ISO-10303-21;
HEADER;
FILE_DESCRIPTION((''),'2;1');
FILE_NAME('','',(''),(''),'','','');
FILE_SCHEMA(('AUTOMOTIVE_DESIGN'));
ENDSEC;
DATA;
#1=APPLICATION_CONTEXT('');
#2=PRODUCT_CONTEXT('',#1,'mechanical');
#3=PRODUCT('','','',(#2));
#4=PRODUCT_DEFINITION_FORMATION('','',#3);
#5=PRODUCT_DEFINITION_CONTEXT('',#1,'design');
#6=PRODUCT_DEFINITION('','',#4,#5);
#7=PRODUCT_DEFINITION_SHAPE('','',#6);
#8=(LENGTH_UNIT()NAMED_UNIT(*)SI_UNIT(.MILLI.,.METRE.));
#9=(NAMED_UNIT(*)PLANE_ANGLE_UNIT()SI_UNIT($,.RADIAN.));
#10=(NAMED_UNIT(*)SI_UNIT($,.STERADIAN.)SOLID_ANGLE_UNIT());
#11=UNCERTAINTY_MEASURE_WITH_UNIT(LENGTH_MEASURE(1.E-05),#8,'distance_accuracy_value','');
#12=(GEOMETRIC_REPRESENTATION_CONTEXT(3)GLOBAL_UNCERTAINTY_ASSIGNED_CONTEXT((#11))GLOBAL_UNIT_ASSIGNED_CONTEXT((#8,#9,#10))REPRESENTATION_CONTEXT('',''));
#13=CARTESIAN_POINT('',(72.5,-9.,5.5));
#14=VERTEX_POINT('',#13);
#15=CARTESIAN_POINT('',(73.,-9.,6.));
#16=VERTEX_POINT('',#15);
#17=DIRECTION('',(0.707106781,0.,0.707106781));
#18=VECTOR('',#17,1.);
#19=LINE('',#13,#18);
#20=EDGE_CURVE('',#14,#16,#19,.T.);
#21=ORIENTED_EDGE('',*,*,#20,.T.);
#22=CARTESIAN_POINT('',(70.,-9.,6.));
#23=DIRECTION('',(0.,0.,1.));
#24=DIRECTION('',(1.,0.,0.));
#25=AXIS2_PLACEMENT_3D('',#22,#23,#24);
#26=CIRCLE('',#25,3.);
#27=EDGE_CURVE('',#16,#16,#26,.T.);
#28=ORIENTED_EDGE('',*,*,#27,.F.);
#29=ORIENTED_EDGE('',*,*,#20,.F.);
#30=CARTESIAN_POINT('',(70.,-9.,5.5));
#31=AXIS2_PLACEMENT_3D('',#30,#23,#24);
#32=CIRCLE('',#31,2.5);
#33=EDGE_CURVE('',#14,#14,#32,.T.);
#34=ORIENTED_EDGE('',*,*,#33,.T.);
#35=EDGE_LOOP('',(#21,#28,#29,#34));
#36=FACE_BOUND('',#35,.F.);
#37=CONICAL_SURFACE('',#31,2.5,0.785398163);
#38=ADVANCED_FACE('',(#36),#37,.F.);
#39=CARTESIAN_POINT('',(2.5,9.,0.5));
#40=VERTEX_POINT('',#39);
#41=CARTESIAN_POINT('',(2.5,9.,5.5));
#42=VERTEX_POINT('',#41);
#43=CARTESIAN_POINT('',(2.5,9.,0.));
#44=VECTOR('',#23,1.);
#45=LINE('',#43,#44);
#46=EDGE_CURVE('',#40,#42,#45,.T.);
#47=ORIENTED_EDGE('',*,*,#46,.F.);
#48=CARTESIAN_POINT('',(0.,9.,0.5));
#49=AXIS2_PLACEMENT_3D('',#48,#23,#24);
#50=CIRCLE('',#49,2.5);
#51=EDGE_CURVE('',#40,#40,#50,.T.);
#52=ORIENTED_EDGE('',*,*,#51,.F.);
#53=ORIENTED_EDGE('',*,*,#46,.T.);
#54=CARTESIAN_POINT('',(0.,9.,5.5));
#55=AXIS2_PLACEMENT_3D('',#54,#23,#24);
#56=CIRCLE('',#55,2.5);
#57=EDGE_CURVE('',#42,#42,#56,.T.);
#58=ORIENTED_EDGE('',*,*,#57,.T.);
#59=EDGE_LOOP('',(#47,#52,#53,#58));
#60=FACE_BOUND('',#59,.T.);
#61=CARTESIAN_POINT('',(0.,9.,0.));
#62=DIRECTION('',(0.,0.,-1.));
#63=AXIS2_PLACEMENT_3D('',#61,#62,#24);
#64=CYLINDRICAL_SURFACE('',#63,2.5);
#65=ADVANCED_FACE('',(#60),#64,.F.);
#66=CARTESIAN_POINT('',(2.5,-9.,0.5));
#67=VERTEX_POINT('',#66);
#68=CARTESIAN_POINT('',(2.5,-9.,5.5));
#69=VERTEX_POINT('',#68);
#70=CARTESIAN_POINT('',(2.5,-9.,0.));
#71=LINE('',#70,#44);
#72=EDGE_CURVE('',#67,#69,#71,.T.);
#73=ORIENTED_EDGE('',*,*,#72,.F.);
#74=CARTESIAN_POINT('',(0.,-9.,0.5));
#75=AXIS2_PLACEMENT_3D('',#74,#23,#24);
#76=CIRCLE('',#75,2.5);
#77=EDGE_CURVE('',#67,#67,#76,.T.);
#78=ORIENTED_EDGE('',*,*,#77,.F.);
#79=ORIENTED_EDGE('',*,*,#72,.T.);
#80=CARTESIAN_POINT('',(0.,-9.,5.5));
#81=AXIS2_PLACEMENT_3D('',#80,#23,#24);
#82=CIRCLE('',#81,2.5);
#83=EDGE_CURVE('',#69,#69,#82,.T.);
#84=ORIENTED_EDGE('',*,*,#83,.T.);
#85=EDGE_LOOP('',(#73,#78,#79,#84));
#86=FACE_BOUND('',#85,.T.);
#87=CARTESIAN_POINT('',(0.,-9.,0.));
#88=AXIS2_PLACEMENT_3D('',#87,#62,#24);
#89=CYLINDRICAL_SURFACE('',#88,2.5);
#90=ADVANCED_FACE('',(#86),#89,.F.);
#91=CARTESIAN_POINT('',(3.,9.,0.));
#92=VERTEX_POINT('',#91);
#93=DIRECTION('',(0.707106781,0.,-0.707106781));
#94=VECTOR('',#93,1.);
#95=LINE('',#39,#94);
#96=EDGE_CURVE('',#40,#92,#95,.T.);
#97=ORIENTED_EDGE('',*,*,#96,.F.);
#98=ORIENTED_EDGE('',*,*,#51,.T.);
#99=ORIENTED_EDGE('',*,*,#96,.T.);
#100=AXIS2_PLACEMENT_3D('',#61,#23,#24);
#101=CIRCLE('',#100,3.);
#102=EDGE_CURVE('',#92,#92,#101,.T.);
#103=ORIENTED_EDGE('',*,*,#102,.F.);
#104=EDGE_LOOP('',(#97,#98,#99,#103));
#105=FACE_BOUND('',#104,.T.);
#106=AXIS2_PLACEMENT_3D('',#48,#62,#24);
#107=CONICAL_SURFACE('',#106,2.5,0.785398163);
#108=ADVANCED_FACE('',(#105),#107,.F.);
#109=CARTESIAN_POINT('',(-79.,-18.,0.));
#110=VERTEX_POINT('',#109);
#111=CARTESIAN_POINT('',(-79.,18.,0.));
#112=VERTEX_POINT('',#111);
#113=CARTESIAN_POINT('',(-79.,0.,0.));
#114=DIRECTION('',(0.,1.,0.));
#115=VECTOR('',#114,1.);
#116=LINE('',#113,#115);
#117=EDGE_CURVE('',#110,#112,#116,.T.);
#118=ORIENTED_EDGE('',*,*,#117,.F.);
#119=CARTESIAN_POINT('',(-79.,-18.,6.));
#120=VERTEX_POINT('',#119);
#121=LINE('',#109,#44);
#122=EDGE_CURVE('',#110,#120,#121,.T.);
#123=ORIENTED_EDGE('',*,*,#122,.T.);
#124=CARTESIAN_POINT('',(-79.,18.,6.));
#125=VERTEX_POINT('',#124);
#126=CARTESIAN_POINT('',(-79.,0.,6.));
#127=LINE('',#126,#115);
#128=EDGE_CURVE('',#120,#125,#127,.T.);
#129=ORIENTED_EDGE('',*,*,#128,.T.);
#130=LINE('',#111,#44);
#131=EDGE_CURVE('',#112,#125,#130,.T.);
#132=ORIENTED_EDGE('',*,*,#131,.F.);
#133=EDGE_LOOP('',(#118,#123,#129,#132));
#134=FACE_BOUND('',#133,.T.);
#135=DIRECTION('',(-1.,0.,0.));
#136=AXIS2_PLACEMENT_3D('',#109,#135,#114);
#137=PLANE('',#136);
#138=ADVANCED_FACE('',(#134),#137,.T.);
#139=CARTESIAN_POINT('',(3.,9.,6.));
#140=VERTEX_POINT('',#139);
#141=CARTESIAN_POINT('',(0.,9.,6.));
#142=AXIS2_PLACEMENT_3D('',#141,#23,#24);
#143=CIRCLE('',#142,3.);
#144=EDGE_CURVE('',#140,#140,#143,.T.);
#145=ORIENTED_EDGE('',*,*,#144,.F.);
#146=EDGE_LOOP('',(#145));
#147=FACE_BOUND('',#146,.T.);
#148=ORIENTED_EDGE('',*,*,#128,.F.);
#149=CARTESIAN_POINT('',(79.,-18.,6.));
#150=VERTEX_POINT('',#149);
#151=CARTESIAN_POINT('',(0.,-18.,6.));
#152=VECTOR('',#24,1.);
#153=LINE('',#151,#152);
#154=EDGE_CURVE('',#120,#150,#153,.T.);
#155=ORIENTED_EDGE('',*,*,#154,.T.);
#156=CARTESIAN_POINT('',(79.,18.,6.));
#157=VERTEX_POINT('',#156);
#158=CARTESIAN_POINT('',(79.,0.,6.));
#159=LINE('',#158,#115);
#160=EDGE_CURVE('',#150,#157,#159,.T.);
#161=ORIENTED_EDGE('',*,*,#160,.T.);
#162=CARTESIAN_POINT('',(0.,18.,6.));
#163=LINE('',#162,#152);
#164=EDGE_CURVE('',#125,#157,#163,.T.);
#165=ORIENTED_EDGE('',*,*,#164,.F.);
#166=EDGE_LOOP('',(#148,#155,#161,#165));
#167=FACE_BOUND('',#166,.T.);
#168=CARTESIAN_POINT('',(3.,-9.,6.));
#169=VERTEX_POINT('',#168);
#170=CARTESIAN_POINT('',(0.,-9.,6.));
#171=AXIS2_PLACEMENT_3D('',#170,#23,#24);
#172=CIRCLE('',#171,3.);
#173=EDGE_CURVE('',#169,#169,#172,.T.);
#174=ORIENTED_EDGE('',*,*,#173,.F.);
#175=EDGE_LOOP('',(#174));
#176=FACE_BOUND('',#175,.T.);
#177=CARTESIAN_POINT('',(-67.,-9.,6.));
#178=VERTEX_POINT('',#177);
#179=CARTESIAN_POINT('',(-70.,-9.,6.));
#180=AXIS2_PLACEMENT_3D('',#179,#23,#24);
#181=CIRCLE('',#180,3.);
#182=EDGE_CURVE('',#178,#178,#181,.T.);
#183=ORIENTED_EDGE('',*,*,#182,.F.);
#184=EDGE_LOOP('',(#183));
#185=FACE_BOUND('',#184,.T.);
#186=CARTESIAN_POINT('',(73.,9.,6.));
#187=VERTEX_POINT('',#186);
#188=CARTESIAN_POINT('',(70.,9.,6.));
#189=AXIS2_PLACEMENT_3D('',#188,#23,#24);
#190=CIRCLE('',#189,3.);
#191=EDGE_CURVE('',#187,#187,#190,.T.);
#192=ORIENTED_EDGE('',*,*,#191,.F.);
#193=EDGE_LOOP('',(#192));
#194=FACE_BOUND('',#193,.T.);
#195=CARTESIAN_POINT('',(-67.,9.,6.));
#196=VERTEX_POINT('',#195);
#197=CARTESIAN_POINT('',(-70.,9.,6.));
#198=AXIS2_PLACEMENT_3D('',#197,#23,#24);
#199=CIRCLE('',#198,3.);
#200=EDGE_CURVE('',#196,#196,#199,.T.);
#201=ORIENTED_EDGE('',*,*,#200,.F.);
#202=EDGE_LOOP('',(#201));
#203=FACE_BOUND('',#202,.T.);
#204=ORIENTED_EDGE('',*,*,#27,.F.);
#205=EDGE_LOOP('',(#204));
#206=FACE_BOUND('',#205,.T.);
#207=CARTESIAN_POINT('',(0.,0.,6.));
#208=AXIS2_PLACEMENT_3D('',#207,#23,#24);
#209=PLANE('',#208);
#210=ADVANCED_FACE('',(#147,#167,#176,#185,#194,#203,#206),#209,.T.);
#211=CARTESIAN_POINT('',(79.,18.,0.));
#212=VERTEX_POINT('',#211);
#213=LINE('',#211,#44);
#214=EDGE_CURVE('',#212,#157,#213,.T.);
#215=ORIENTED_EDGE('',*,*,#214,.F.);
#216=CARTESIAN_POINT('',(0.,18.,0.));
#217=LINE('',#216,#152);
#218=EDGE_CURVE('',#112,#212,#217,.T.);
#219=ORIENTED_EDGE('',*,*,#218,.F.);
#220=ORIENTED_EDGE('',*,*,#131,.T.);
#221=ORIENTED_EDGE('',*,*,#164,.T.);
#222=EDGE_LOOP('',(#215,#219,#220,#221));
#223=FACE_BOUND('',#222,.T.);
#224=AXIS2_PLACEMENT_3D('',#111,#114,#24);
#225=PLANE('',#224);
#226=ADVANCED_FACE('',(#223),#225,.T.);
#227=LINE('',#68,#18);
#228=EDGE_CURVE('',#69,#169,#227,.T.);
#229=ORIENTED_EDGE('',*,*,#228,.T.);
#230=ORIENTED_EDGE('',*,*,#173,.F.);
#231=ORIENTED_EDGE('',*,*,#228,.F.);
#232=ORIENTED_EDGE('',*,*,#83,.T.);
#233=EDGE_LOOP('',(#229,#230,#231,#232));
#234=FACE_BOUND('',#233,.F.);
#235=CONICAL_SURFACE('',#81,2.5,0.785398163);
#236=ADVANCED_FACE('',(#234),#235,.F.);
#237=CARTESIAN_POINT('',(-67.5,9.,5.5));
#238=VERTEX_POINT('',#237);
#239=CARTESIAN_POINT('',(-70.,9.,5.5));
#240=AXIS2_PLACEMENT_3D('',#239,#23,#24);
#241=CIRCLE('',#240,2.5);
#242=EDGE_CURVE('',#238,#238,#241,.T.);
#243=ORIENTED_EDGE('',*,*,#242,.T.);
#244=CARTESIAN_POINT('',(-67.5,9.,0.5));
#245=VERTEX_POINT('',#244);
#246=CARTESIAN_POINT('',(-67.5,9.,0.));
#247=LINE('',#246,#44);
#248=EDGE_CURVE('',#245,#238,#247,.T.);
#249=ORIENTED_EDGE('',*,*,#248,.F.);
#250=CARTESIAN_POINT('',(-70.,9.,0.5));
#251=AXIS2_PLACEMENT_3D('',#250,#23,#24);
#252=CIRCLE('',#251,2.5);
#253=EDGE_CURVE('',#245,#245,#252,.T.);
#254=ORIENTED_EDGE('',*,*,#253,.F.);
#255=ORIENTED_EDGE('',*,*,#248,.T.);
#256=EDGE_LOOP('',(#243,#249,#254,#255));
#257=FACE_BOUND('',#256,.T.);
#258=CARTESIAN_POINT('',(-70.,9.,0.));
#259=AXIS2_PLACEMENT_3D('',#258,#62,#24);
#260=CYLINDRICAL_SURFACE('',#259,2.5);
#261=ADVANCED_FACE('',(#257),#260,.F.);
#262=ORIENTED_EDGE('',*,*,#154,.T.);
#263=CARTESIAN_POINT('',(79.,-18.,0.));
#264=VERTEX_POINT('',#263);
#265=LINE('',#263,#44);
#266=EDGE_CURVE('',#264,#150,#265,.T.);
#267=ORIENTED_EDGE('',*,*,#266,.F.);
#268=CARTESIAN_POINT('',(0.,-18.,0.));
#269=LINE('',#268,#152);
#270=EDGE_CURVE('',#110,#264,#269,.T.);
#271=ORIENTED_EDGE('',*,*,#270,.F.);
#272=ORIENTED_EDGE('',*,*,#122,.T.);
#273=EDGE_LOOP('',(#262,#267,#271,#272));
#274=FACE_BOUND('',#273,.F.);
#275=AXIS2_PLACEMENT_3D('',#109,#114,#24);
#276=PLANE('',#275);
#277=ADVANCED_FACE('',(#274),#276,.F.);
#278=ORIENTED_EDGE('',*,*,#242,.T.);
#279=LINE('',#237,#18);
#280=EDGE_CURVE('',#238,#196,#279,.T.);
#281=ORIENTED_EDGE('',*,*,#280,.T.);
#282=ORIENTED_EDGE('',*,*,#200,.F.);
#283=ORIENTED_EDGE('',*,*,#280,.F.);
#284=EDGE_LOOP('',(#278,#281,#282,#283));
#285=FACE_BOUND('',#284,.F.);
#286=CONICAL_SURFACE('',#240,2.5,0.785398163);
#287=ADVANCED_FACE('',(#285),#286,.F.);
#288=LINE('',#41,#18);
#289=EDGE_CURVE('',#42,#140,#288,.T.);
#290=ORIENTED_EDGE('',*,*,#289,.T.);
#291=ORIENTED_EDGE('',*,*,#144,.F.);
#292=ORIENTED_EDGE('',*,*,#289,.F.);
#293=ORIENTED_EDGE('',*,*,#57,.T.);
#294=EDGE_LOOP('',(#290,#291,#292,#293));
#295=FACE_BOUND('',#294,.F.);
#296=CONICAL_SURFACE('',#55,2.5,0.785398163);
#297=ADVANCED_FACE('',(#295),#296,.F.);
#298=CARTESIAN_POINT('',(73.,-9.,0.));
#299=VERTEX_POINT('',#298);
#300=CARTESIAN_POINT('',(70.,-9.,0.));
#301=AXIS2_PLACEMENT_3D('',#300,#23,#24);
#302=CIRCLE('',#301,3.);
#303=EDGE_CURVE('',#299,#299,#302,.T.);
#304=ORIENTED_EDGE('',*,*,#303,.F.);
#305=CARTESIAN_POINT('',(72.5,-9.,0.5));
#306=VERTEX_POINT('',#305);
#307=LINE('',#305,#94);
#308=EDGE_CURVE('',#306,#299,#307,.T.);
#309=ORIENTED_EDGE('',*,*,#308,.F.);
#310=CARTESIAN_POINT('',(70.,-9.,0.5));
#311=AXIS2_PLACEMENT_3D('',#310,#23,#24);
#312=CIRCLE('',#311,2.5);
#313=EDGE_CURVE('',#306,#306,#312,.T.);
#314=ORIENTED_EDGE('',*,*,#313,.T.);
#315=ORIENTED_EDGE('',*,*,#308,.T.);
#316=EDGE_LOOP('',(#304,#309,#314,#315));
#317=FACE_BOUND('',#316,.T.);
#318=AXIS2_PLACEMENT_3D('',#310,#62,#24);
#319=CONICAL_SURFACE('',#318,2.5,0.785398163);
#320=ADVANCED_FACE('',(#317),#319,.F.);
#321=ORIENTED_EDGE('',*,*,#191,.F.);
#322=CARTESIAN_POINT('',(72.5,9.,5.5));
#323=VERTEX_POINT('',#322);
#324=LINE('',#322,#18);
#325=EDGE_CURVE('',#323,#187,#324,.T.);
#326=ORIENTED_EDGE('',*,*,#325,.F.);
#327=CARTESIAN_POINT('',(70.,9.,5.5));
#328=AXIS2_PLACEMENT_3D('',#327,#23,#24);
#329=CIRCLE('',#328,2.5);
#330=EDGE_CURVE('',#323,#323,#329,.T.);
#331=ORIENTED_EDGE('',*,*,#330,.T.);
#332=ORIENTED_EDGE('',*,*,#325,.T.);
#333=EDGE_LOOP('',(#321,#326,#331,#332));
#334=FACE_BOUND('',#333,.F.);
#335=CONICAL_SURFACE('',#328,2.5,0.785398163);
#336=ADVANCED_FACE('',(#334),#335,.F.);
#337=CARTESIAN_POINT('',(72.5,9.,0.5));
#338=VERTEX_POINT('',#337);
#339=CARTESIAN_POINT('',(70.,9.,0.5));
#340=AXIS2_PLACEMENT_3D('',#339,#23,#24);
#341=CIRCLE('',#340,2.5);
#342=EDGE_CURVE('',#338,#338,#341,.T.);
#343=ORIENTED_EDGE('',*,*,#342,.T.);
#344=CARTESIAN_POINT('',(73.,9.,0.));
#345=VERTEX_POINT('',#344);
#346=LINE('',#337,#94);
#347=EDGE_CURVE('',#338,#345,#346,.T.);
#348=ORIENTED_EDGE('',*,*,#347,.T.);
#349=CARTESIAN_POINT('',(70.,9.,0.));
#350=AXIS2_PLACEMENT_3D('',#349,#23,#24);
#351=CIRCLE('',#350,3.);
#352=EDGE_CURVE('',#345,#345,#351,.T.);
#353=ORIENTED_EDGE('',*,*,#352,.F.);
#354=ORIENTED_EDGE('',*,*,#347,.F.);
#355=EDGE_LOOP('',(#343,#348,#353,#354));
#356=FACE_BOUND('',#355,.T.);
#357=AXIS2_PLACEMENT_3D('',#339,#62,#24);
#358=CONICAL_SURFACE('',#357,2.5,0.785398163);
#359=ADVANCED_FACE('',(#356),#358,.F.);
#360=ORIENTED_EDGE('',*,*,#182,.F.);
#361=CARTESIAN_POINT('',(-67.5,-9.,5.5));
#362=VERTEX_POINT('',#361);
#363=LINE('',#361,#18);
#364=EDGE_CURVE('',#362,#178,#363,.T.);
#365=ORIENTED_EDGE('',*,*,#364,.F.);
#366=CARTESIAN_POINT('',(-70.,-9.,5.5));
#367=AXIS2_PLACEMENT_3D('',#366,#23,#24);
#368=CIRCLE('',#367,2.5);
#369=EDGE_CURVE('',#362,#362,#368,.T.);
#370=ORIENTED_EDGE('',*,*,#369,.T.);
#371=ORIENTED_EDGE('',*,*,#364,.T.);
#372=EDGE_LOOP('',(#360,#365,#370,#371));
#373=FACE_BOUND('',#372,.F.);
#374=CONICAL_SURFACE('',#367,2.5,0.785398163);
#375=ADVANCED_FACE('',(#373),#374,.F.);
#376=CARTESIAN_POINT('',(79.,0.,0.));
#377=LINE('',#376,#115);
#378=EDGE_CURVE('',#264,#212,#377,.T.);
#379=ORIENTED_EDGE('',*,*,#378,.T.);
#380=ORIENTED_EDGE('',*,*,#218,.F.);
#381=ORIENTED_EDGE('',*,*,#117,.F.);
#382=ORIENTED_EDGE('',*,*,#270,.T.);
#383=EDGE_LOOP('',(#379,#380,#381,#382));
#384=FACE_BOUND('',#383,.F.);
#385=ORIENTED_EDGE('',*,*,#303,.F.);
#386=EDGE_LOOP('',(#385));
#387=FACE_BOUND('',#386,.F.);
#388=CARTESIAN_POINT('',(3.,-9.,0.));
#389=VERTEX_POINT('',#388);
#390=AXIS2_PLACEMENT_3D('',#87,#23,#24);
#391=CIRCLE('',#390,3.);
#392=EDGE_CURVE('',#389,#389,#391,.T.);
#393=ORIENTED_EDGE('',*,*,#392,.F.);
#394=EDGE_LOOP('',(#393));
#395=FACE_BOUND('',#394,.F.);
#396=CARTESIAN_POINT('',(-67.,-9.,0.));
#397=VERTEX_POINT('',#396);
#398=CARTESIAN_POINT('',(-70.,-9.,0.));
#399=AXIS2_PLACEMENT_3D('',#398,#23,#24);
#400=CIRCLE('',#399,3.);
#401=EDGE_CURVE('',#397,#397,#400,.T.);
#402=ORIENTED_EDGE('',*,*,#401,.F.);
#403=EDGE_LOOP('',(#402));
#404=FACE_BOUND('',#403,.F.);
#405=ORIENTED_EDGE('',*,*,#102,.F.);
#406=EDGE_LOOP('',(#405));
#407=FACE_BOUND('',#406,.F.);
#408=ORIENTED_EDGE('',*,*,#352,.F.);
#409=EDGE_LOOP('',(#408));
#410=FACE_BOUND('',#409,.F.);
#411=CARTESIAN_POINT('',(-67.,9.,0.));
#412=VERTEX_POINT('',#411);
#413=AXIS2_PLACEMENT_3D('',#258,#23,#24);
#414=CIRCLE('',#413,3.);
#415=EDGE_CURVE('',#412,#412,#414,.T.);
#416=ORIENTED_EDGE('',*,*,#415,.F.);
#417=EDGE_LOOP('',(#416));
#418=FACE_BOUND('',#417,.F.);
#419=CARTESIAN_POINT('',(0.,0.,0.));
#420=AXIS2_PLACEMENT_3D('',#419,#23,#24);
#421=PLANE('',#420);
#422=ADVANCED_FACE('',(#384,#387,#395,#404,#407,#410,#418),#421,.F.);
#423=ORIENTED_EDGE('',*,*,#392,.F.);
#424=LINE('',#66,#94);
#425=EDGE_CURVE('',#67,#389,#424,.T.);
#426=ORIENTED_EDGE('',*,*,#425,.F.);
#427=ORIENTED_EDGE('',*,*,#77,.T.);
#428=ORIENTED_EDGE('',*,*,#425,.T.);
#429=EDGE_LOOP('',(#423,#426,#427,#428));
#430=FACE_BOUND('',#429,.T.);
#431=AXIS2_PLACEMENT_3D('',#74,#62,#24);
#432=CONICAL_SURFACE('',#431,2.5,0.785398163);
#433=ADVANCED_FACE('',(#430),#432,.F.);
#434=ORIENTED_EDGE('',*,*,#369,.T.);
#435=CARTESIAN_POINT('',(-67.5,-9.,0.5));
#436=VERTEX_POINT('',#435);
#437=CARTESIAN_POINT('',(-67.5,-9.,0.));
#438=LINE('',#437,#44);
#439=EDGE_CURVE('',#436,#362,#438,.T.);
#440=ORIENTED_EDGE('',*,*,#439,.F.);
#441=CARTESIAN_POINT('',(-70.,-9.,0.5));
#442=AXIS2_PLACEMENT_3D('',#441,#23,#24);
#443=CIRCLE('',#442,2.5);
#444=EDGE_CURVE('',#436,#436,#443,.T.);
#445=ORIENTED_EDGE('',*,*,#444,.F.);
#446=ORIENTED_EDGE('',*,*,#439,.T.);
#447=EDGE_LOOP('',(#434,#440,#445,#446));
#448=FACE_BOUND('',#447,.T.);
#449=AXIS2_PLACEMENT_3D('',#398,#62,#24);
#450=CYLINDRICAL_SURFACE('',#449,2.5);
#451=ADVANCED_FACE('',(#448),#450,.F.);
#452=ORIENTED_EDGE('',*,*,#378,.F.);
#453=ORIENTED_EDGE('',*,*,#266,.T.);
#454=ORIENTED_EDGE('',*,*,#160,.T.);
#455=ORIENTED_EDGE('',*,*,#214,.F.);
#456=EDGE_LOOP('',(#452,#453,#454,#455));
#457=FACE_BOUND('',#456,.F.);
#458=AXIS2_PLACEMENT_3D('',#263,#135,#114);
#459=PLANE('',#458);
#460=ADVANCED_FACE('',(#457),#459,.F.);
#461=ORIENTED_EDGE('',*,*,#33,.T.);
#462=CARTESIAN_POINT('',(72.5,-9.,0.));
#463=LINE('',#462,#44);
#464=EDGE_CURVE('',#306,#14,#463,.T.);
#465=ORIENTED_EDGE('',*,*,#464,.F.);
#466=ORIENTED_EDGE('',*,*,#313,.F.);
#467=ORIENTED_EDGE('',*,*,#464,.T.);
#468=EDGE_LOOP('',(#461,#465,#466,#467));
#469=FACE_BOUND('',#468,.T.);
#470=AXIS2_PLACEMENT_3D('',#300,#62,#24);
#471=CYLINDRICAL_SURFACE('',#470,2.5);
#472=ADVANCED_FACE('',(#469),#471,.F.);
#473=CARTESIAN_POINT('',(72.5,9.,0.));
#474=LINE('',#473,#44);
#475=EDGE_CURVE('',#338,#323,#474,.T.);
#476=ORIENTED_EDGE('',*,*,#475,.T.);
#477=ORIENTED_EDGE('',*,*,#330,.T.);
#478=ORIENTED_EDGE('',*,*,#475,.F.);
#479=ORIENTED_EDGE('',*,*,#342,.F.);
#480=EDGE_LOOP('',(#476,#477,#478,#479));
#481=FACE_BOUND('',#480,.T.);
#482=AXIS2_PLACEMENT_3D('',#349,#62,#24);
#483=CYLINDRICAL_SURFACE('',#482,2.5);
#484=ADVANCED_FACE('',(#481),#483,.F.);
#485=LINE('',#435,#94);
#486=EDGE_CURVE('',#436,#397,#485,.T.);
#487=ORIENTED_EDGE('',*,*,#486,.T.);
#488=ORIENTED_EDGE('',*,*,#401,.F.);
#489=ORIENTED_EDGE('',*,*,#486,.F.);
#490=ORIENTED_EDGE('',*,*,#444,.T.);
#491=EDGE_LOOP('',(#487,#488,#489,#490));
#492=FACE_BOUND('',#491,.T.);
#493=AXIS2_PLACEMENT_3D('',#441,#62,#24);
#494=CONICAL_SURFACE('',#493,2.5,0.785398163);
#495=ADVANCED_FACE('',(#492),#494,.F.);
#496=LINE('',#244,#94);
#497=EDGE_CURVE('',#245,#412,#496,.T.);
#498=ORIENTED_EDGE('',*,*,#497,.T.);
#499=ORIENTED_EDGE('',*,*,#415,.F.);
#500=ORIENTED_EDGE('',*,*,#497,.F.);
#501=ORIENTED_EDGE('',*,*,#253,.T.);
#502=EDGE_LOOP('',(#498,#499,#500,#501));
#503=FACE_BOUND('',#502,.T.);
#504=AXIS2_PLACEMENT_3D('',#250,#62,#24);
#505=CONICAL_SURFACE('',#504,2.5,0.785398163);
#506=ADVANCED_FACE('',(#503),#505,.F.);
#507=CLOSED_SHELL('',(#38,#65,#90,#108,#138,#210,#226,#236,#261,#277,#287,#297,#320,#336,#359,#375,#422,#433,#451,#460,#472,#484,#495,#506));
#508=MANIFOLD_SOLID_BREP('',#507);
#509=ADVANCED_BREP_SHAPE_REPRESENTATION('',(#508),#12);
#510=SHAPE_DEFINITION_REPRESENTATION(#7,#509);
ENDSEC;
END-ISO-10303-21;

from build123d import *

# Parameters (mm, degrees)
F0_W     = 158
F0_H     = 36
F0_R     = 2.5
F1_DEPTH = 6
F2_SIZE  = 0.5


with BuildPart() as f1:
    # F0 (on Top) → F1 (new body)
    with BuildSketch(Plane.XY):
        Rectangle(F0_W, F0_H)
        with Locations((-70, -9)):
            Circle(F0_R, mode=Mode.SUBTRACT)
        with Locations((0, -9)):
            Circle(F0_R, mode=Mode.SUBTRACT)
        with Locations((70, -9)):
            Circle(F0_R, mode=Mode.SUBTRACT)
        with Locations((-70, 9)):
            Circle(F0_R, mode=Mode.SUBTRACT)
        with Locations((0, 9)):
            Circle(F0_R, mode=Mode.SUBTRACT)
        with Locations((70, 9)):
            Circle(F0_R, mode=Mode.SUBTRACT)
    extrude(amount=F1_DEPTH)

    # F2
    f2_edges = [f1.edges().sort_by_distance(p)[0] for p in [
        (-67.5, -9, 3),
        (-72.5, -9, 0),
        (-72.5, -9, 6),
        (-67.5, 9, 3),
        (-72.5, 9, 0),
        (-72.5, 9, 6),
        (2.5, -9, 3),
        (-2.5, -9, 0),
        (-2.5, -9, 6),
        (2.5, 9, 3),
        (-2.5, 9, 0),
        (-2.5, 9, 6),
        (72.5, -9, 3),
        (67.5, -9, 0),
        (67.5, -9, 6),
        (72.5, 9, 3),
        (67.5, 9, 0),
        (67.5, 9, 6),
    ]]
    chamfer(f2_edges, length=F2_SIZE)


solid = f1.part
